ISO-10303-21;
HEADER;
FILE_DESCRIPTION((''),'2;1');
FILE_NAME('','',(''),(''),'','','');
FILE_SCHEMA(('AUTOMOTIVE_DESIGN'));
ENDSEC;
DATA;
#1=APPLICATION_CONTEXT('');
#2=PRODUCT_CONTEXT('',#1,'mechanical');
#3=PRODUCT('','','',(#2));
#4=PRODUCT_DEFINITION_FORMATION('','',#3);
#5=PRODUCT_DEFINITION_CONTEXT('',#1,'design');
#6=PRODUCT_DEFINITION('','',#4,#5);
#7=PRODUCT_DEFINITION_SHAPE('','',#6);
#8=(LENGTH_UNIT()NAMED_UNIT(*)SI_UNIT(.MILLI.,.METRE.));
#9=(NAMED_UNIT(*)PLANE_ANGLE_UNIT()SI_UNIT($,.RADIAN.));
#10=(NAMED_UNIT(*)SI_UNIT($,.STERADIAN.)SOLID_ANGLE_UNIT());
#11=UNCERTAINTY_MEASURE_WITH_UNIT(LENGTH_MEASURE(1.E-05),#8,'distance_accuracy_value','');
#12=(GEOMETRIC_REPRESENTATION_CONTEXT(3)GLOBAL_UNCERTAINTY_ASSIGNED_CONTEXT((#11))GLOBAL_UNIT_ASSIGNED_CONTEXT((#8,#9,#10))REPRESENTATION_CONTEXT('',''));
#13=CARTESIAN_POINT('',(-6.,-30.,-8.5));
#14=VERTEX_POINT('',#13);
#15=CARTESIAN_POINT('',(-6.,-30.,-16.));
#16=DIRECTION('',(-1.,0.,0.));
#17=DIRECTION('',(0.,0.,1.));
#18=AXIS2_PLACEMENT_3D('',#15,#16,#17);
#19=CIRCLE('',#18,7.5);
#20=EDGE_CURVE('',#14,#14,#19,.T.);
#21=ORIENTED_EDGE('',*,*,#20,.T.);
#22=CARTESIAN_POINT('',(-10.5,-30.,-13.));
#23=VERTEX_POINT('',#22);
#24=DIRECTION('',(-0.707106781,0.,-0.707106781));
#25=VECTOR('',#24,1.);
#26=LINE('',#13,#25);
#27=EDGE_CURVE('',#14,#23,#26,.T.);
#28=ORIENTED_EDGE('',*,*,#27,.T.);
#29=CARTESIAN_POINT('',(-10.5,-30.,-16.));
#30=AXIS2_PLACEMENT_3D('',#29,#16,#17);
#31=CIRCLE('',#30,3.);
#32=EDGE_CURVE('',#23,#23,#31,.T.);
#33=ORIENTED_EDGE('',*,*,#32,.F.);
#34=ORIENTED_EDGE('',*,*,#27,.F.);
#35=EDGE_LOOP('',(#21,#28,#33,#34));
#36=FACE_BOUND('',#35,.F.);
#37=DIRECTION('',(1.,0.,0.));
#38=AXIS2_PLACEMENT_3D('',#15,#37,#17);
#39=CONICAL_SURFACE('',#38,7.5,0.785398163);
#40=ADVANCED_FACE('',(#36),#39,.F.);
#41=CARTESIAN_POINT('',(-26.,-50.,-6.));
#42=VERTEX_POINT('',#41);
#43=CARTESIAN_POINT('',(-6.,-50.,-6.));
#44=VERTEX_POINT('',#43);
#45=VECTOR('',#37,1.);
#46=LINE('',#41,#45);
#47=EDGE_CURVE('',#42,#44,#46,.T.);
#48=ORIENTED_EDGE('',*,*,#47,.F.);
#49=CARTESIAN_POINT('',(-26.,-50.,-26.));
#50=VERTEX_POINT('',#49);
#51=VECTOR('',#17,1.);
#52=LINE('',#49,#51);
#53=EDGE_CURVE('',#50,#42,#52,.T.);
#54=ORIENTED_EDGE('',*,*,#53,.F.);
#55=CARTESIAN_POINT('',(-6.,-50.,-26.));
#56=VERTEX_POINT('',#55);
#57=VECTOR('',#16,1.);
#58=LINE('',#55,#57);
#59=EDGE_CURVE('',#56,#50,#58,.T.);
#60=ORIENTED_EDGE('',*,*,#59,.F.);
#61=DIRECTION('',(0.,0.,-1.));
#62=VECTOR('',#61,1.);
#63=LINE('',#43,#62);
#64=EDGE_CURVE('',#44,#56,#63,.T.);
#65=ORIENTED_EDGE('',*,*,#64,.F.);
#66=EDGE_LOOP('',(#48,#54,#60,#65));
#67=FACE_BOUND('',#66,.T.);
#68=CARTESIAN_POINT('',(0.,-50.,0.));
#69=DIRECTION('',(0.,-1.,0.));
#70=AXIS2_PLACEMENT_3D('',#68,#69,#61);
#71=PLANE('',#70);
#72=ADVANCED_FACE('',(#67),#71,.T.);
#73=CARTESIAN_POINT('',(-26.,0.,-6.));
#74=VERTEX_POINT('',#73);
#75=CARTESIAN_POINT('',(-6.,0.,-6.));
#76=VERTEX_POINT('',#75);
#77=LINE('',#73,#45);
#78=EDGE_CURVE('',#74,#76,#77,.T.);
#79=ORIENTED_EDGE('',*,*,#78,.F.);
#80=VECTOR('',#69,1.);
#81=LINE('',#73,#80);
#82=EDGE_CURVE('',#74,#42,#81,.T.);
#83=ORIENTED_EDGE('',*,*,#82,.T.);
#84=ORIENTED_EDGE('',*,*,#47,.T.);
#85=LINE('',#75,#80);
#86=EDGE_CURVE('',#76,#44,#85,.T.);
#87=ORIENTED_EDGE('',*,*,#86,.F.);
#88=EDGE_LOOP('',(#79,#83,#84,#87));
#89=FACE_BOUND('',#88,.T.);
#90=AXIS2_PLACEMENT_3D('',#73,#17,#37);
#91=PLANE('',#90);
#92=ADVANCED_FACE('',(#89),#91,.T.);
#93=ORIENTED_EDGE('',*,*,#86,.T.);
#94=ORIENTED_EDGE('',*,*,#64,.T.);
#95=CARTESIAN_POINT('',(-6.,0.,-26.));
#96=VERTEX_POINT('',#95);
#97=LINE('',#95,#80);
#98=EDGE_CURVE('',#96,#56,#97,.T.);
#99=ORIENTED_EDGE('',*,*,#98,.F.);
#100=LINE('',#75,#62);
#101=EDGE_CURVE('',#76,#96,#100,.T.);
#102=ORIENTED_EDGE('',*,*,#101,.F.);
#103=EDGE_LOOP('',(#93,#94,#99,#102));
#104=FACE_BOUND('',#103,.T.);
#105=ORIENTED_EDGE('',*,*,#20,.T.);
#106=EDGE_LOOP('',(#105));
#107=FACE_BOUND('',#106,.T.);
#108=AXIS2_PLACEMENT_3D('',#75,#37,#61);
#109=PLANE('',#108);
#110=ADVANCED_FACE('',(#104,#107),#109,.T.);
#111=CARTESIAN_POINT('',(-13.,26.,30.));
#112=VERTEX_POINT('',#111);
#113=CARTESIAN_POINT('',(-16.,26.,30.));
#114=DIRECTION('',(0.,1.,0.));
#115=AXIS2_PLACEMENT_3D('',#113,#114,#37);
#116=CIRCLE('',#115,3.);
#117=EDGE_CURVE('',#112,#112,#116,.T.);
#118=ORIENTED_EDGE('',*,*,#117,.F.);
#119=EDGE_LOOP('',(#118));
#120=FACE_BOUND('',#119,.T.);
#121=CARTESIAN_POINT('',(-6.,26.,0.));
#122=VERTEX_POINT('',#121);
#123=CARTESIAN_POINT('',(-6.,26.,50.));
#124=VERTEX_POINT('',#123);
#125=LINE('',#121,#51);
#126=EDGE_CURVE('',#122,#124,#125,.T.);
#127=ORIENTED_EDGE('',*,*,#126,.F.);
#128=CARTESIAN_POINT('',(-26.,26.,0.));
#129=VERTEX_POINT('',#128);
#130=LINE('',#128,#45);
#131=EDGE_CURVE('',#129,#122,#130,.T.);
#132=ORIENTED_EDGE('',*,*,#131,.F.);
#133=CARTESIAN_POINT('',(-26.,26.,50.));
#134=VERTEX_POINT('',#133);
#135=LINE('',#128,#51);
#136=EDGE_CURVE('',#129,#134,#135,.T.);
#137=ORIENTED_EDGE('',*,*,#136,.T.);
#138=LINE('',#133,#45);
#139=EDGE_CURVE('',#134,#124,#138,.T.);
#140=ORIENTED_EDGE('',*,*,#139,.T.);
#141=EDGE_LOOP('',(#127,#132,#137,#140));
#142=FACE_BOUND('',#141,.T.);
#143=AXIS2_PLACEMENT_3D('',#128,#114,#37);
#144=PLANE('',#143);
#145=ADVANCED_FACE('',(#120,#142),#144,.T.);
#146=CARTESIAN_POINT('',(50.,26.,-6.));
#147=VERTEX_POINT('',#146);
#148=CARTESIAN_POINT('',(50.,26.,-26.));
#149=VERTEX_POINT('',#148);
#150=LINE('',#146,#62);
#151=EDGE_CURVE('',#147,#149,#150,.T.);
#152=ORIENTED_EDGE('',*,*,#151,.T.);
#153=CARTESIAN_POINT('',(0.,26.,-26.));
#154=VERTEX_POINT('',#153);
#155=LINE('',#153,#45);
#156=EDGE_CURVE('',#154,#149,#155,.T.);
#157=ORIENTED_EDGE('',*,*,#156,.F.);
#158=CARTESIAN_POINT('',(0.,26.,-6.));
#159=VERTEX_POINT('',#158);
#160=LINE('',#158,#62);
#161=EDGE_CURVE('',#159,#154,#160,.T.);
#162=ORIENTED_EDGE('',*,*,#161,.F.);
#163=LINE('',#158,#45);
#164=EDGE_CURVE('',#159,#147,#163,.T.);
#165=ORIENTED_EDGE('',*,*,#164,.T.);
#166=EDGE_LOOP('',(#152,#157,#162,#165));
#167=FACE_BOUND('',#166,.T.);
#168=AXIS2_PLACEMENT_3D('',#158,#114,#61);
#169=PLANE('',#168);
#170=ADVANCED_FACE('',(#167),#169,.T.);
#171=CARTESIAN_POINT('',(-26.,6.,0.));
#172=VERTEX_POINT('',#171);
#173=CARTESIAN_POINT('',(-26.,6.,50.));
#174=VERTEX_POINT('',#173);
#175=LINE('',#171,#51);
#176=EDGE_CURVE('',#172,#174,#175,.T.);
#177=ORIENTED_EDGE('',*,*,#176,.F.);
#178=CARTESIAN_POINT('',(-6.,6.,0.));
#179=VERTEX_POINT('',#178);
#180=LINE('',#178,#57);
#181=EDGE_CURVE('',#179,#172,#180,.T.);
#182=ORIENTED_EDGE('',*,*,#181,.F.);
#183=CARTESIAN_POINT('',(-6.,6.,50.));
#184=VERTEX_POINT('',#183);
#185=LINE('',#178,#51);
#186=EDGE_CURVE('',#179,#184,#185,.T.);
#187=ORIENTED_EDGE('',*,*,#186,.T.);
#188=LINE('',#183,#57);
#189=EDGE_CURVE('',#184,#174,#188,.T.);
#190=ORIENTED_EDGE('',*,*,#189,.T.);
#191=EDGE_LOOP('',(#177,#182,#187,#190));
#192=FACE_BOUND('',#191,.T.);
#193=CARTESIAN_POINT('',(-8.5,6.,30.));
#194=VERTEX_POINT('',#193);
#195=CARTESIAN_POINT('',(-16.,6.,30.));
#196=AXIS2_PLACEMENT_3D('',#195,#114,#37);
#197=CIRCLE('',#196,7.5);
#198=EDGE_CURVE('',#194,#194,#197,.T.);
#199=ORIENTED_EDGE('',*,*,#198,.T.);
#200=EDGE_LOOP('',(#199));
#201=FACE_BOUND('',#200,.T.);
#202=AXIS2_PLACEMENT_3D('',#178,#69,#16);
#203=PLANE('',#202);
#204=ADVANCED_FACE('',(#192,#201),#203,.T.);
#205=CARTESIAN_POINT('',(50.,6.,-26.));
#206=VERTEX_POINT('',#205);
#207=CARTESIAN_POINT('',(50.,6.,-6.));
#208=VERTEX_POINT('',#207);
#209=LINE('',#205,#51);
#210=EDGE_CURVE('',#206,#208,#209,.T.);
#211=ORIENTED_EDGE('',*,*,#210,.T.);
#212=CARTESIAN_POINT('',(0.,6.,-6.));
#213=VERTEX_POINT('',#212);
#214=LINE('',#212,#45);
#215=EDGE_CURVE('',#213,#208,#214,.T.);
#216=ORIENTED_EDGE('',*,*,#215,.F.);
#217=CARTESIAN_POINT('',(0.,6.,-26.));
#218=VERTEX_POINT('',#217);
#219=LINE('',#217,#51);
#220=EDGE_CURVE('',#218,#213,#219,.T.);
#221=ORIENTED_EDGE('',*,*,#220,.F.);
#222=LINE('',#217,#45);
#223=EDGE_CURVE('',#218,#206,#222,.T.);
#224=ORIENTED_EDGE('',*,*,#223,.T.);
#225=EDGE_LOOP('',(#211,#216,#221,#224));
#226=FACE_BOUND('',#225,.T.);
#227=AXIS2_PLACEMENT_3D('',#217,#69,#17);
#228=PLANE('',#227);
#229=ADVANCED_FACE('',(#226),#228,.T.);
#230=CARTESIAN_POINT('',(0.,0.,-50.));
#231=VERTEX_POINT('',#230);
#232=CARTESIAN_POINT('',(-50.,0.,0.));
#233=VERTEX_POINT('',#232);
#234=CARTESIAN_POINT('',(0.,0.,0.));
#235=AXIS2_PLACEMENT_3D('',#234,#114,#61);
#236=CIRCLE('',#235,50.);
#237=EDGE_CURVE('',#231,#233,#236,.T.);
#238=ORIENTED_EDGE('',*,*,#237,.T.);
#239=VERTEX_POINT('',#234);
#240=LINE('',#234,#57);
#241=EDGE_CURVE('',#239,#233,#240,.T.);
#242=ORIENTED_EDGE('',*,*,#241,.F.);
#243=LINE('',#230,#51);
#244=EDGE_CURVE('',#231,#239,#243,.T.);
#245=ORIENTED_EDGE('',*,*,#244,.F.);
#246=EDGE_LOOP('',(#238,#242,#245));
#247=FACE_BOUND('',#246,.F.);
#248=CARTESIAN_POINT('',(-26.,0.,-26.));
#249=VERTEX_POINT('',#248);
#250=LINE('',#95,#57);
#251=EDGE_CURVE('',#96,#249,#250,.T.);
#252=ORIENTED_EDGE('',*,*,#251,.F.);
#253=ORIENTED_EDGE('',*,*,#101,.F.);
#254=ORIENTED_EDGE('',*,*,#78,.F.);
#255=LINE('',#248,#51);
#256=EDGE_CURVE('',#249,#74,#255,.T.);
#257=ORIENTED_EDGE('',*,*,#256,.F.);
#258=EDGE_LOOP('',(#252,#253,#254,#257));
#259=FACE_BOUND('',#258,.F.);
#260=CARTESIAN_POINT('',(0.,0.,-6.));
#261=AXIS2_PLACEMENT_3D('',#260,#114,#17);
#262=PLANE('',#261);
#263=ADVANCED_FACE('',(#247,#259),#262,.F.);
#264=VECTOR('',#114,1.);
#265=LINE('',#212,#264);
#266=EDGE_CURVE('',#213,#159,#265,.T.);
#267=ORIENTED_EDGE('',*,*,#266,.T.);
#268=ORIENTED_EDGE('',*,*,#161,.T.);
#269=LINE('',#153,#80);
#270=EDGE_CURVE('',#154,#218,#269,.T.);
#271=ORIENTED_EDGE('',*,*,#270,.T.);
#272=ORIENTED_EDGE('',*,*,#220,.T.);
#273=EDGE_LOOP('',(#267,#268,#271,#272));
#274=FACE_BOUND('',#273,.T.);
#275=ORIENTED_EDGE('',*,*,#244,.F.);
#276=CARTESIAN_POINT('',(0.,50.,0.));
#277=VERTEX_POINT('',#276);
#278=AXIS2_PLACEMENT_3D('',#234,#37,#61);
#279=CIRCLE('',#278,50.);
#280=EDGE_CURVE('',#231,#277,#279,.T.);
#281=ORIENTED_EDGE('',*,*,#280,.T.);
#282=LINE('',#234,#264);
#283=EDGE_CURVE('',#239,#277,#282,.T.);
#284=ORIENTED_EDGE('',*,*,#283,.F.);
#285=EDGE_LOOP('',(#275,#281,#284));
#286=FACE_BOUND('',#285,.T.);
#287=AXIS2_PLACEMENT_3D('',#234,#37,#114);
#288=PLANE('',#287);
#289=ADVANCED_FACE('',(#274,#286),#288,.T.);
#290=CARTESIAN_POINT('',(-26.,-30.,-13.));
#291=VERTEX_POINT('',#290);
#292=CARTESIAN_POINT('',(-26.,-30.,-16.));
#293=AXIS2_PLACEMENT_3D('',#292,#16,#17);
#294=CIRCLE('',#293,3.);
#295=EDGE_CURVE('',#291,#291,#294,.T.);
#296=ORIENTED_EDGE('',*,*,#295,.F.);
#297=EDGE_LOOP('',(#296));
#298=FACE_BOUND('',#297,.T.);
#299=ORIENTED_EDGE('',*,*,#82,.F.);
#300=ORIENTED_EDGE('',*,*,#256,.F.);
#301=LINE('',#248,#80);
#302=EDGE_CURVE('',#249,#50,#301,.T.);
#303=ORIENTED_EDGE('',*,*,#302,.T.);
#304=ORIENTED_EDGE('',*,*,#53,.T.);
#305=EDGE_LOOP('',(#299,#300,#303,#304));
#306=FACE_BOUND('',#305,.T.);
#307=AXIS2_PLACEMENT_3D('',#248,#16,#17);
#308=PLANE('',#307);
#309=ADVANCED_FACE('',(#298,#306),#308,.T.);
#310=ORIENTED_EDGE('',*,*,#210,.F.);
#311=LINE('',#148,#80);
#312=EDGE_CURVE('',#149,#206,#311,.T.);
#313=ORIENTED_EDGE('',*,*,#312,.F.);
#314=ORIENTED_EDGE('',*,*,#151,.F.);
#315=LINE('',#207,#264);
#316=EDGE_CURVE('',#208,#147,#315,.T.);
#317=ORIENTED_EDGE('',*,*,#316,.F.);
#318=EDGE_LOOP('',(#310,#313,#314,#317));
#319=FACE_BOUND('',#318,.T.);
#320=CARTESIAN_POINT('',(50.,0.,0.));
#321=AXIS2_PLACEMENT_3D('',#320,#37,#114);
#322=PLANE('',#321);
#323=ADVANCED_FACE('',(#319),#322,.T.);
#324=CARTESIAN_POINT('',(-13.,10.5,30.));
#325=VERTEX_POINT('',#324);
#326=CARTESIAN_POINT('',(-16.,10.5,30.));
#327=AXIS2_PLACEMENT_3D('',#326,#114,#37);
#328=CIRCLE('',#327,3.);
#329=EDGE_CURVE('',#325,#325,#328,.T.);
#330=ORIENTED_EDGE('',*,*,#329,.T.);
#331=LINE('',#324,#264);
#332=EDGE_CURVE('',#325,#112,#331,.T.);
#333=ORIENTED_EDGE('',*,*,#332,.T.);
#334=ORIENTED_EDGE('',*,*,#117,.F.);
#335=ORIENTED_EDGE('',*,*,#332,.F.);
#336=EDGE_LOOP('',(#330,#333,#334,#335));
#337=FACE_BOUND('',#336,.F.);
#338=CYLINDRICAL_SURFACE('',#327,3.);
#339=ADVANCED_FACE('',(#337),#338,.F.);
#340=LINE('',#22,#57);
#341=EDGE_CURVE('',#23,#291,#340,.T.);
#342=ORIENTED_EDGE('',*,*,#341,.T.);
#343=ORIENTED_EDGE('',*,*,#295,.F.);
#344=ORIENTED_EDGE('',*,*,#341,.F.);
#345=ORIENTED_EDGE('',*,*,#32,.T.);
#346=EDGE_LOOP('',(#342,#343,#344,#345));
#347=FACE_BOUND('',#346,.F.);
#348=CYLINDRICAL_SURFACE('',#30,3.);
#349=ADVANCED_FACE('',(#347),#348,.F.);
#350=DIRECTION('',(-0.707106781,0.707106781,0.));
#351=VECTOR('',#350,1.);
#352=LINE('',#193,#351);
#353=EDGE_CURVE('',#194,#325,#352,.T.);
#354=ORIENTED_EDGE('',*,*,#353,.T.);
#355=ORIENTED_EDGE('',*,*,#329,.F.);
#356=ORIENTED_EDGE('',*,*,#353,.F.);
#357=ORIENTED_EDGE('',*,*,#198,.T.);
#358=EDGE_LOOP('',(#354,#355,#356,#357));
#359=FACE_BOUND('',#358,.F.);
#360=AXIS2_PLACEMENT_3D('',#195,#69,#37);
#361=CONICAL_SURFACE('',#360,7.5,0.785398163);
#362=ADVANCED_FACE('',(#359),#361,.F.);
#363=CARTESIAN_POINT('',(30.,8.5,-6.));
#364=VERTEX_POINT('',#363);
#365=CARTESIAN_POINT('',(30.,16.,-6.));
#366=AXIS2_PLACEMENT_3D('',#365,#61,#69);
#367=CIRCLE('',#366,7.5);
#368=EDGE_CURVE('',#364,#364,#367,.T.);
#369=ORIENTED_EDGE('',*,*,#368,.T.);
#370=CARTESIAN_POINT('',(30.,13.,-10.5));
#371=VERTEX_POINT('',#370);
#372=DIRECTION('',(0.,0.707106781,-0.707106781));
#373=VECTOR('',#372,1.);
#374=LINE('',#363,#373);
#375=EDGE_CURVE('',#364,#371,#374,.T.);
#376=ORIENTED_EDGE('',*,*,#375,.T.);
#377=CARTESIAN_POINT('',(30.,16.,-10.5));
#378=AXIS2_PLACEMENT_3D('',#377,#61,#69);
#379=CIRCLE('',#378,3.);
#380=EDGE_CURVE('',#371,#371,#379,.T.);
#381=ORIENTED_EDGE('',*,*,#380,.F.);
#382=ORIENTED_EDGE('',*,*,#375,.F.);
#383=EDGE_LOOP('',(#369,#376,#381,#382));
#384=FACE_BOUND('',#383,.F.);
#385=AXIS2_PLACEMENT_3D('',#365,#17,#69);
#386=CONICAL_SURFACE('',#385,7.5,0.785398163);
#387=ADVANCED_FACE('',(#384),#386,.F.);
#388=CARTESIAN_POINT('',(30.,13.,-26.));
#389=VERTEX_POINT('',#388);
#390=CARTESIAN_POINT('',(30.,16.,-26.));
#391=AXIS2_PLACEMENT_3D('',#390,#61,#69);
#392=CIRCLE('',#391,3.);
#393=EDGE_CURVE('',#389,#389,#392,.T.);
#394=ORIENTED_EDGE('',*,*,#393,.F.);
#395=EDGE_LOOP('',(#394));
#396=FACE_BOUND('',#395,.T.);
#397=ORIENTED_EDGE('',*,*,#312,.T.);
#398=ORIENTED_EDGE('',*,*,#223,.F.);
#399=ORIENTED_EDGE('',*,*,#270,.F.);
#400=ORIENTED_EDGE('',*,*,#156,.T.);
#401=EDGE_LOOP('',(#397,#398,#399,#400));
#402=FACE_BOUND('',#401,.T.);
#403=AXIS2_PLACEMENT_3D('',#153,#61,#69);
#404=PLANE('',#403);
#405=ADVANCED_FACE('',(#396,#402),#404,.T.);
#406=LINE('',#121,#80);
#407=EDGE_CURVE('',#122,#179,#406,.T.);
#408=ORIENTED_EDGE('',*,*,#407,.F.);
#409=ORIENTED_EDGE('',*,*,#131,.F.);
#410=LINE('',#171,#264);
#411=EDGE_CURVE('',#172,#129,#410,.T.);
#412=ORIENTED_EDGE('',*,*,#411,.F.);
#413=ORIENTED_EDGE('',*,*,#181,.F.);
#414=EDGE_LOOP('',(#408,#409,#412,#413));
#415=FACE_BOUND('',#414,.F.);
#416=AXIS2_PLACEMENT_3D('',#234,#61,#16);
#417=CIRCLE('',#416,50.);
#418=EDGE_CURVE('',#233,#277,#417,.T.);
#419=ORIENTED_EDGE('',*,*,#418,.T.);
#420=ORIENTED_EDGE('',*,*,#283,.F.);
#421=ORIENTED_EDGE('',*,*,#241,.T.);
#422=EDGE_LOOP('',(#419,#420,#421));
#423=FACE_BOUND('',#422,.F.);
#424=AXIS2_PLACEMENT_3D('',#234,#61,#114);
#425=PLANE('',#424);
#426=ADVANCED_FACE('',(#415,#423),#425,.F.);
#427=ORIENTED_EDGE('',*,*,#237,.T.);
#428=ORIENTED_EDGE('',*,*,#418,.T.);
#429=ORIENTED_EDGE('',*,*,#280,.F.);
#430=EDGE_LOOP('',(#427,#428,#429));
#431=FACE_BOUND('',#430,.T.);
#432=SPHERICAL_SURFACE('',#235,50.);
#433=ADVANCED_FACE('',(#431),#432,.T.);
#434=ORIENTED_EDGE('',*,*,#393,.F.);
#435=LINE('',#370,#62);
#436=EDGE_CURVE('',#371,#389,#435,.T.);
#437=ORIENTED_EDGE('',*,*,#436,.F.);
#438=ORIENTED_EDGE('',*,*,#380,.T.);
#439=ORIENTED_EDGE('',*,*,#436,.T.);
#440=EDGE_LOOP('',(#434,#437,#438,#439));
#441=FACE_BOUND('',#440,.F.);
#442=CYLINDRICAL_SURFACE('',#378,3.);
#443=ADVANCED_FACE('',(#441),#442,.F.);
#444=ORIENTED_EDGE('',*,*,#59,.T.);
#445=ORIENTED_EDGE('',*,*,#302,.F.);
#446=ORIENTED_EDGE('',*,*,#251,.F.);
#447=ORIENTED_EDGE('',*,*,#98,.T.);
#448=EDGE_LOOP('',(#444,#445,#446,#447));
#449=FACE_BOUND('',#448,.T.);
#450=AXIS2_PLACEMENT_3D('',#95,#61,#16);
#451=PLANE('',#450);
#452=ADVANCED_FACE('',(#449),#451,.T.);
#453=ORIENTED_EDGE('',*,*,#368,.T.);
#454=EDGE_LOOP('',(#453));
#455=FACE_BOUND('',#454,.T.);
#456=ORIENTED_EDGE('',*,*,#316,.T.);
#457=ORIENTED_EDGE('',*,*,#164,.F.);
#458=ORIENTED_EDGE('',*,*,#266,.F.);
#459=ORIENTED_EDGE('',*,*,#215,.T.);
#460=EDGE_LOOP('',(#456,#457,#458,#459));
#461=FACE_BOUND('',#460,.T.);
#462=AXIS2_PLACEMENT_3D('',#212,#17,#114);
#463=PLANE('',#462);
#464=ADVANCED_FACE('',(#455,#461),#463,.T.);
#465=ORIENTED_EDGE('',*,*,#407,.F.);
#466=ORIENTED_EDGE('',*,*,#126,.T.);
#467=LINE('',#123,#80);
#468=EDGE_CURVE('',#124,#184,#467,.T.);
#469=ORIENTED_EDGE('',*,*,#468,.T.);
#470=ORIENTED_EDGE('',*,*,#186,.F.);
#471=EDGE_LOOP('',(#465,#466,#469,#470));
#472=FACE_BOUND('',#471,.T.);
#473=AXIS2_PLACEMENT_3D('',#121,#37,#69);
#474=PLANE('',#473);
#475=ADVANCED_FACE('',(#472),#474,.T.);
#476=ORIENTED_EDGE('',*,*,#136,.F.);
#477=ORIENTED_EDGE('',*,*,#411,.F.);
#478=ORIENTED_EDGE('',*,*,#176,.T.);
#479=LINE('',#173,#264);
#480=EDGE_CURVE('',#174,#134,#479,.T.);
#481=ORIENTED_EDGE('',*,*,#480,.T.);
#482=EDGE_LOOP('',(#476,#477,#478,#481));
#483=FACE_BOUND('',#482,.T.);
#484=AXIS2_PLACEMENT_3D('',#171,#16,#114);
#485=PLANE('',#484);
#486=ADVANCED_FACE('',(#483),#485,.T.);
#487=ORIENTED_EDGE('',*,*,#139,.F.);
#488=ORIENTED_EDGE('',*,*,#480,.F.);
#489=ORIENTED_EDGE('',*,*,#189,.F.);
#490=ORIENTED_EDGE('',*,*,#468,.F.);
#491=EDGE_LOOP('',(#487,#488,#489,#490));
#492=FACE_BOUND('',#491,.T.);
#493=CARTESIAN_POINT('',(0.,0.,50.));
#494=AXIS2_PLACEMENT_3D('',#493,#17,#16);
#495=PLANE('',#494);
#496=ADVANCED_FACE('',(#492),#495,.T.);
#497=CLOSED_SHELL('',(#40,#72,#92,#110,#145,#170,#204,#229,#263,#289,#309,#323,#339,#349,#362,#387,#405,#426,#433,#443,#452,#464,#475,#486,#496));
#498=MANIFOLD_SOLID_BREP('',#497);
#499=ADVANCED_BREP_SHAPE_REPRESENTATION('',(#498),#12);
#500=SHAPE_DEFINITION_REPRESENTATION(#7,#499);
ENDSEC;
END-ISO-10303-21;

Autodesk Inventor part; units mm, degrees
ref_plane "YZ Plane" through (0, 0, 0) normal (1, 0, 0) x (0, 1, 0)
ref_plane "XZ Plane" through (0, 0, 0) normal (0, 1, 0) x (-1, 0, 0)
ref_plane "XY Plane" through (0, 0, 0) normal (0, 0, 1) x (1, 0, 0)
sketch "Náčrt1" plane through (0, 0, 0) normal (1, 0, 0) x (0, 1, 0)
  line L0 (0, 0) -> (50, 0)
  line L1 (50, 0) -> (50, -50)
  line L2 (50, -50) -> (0, -50)
  line L3 (0, -50) -> (0, 0)
  arc A0 (0, -50) -> (50, 0) centre (0, 0) ccw
  line L4 (0, 0) -> (6, 0)
  line L5 (0, -6) -> (0, 0)
  line L6 (6, -6) -> (26, -6)
  line L7 (26, -6) -> (26, -26)
  line L8 (26, -26) -> (6, -26)
  line L9 (6, -26) -> (6, -6)
  dimension "d0" = 50
  dimension "d1" = 50
  dimension "d2" = 50
  dimension "d4" = 6
  dimension "d5" = 6
  dimension "d6" = 20
  dimension "d7" = 20
extrude "Vysunutí1" add sketch "Náčrt1" against normal blind 50 contours L0 A0 L3 | L1 L2 A0 | L6 L7 L8 L9
revolve "Rotace1" cut sketch "Náčrt1" angle 90 about axis through (0, 0, 0) along (0, 1, 0) keep common part contours L0 A0 L3 | L6 L7 L8 L9
extrude "Vysunutí2" add sketch "Náčrt1" along normal blind 50 contours L6 L7 L8 L9
sketch "Náčrt2" plane through (0, 6, -6) normal (0, 0, 1) x (1, 0, 0)
  line L0 (50, 20) -> (50, 0) projected
  line L1 (0, 0) -> (50, 0) projected
  point P0 (0, -6)
  point P1 (30, 10)
  dimension "d13" = 20
  dimension "d21" = 10
hole "Díra1" at (30, 16, -6) direction (0, 0, -1) diameter 6 end through all countersink diameter 15 countersink angle 90
pattern_circular "Kruhové pole1" count 3 over 360 about axis through (0, 0, 0) along (-0.5774, 0.5774, -0.5774) of "Vysunutí2", "Díra1"
properties part number "ZakulacenaCast"
